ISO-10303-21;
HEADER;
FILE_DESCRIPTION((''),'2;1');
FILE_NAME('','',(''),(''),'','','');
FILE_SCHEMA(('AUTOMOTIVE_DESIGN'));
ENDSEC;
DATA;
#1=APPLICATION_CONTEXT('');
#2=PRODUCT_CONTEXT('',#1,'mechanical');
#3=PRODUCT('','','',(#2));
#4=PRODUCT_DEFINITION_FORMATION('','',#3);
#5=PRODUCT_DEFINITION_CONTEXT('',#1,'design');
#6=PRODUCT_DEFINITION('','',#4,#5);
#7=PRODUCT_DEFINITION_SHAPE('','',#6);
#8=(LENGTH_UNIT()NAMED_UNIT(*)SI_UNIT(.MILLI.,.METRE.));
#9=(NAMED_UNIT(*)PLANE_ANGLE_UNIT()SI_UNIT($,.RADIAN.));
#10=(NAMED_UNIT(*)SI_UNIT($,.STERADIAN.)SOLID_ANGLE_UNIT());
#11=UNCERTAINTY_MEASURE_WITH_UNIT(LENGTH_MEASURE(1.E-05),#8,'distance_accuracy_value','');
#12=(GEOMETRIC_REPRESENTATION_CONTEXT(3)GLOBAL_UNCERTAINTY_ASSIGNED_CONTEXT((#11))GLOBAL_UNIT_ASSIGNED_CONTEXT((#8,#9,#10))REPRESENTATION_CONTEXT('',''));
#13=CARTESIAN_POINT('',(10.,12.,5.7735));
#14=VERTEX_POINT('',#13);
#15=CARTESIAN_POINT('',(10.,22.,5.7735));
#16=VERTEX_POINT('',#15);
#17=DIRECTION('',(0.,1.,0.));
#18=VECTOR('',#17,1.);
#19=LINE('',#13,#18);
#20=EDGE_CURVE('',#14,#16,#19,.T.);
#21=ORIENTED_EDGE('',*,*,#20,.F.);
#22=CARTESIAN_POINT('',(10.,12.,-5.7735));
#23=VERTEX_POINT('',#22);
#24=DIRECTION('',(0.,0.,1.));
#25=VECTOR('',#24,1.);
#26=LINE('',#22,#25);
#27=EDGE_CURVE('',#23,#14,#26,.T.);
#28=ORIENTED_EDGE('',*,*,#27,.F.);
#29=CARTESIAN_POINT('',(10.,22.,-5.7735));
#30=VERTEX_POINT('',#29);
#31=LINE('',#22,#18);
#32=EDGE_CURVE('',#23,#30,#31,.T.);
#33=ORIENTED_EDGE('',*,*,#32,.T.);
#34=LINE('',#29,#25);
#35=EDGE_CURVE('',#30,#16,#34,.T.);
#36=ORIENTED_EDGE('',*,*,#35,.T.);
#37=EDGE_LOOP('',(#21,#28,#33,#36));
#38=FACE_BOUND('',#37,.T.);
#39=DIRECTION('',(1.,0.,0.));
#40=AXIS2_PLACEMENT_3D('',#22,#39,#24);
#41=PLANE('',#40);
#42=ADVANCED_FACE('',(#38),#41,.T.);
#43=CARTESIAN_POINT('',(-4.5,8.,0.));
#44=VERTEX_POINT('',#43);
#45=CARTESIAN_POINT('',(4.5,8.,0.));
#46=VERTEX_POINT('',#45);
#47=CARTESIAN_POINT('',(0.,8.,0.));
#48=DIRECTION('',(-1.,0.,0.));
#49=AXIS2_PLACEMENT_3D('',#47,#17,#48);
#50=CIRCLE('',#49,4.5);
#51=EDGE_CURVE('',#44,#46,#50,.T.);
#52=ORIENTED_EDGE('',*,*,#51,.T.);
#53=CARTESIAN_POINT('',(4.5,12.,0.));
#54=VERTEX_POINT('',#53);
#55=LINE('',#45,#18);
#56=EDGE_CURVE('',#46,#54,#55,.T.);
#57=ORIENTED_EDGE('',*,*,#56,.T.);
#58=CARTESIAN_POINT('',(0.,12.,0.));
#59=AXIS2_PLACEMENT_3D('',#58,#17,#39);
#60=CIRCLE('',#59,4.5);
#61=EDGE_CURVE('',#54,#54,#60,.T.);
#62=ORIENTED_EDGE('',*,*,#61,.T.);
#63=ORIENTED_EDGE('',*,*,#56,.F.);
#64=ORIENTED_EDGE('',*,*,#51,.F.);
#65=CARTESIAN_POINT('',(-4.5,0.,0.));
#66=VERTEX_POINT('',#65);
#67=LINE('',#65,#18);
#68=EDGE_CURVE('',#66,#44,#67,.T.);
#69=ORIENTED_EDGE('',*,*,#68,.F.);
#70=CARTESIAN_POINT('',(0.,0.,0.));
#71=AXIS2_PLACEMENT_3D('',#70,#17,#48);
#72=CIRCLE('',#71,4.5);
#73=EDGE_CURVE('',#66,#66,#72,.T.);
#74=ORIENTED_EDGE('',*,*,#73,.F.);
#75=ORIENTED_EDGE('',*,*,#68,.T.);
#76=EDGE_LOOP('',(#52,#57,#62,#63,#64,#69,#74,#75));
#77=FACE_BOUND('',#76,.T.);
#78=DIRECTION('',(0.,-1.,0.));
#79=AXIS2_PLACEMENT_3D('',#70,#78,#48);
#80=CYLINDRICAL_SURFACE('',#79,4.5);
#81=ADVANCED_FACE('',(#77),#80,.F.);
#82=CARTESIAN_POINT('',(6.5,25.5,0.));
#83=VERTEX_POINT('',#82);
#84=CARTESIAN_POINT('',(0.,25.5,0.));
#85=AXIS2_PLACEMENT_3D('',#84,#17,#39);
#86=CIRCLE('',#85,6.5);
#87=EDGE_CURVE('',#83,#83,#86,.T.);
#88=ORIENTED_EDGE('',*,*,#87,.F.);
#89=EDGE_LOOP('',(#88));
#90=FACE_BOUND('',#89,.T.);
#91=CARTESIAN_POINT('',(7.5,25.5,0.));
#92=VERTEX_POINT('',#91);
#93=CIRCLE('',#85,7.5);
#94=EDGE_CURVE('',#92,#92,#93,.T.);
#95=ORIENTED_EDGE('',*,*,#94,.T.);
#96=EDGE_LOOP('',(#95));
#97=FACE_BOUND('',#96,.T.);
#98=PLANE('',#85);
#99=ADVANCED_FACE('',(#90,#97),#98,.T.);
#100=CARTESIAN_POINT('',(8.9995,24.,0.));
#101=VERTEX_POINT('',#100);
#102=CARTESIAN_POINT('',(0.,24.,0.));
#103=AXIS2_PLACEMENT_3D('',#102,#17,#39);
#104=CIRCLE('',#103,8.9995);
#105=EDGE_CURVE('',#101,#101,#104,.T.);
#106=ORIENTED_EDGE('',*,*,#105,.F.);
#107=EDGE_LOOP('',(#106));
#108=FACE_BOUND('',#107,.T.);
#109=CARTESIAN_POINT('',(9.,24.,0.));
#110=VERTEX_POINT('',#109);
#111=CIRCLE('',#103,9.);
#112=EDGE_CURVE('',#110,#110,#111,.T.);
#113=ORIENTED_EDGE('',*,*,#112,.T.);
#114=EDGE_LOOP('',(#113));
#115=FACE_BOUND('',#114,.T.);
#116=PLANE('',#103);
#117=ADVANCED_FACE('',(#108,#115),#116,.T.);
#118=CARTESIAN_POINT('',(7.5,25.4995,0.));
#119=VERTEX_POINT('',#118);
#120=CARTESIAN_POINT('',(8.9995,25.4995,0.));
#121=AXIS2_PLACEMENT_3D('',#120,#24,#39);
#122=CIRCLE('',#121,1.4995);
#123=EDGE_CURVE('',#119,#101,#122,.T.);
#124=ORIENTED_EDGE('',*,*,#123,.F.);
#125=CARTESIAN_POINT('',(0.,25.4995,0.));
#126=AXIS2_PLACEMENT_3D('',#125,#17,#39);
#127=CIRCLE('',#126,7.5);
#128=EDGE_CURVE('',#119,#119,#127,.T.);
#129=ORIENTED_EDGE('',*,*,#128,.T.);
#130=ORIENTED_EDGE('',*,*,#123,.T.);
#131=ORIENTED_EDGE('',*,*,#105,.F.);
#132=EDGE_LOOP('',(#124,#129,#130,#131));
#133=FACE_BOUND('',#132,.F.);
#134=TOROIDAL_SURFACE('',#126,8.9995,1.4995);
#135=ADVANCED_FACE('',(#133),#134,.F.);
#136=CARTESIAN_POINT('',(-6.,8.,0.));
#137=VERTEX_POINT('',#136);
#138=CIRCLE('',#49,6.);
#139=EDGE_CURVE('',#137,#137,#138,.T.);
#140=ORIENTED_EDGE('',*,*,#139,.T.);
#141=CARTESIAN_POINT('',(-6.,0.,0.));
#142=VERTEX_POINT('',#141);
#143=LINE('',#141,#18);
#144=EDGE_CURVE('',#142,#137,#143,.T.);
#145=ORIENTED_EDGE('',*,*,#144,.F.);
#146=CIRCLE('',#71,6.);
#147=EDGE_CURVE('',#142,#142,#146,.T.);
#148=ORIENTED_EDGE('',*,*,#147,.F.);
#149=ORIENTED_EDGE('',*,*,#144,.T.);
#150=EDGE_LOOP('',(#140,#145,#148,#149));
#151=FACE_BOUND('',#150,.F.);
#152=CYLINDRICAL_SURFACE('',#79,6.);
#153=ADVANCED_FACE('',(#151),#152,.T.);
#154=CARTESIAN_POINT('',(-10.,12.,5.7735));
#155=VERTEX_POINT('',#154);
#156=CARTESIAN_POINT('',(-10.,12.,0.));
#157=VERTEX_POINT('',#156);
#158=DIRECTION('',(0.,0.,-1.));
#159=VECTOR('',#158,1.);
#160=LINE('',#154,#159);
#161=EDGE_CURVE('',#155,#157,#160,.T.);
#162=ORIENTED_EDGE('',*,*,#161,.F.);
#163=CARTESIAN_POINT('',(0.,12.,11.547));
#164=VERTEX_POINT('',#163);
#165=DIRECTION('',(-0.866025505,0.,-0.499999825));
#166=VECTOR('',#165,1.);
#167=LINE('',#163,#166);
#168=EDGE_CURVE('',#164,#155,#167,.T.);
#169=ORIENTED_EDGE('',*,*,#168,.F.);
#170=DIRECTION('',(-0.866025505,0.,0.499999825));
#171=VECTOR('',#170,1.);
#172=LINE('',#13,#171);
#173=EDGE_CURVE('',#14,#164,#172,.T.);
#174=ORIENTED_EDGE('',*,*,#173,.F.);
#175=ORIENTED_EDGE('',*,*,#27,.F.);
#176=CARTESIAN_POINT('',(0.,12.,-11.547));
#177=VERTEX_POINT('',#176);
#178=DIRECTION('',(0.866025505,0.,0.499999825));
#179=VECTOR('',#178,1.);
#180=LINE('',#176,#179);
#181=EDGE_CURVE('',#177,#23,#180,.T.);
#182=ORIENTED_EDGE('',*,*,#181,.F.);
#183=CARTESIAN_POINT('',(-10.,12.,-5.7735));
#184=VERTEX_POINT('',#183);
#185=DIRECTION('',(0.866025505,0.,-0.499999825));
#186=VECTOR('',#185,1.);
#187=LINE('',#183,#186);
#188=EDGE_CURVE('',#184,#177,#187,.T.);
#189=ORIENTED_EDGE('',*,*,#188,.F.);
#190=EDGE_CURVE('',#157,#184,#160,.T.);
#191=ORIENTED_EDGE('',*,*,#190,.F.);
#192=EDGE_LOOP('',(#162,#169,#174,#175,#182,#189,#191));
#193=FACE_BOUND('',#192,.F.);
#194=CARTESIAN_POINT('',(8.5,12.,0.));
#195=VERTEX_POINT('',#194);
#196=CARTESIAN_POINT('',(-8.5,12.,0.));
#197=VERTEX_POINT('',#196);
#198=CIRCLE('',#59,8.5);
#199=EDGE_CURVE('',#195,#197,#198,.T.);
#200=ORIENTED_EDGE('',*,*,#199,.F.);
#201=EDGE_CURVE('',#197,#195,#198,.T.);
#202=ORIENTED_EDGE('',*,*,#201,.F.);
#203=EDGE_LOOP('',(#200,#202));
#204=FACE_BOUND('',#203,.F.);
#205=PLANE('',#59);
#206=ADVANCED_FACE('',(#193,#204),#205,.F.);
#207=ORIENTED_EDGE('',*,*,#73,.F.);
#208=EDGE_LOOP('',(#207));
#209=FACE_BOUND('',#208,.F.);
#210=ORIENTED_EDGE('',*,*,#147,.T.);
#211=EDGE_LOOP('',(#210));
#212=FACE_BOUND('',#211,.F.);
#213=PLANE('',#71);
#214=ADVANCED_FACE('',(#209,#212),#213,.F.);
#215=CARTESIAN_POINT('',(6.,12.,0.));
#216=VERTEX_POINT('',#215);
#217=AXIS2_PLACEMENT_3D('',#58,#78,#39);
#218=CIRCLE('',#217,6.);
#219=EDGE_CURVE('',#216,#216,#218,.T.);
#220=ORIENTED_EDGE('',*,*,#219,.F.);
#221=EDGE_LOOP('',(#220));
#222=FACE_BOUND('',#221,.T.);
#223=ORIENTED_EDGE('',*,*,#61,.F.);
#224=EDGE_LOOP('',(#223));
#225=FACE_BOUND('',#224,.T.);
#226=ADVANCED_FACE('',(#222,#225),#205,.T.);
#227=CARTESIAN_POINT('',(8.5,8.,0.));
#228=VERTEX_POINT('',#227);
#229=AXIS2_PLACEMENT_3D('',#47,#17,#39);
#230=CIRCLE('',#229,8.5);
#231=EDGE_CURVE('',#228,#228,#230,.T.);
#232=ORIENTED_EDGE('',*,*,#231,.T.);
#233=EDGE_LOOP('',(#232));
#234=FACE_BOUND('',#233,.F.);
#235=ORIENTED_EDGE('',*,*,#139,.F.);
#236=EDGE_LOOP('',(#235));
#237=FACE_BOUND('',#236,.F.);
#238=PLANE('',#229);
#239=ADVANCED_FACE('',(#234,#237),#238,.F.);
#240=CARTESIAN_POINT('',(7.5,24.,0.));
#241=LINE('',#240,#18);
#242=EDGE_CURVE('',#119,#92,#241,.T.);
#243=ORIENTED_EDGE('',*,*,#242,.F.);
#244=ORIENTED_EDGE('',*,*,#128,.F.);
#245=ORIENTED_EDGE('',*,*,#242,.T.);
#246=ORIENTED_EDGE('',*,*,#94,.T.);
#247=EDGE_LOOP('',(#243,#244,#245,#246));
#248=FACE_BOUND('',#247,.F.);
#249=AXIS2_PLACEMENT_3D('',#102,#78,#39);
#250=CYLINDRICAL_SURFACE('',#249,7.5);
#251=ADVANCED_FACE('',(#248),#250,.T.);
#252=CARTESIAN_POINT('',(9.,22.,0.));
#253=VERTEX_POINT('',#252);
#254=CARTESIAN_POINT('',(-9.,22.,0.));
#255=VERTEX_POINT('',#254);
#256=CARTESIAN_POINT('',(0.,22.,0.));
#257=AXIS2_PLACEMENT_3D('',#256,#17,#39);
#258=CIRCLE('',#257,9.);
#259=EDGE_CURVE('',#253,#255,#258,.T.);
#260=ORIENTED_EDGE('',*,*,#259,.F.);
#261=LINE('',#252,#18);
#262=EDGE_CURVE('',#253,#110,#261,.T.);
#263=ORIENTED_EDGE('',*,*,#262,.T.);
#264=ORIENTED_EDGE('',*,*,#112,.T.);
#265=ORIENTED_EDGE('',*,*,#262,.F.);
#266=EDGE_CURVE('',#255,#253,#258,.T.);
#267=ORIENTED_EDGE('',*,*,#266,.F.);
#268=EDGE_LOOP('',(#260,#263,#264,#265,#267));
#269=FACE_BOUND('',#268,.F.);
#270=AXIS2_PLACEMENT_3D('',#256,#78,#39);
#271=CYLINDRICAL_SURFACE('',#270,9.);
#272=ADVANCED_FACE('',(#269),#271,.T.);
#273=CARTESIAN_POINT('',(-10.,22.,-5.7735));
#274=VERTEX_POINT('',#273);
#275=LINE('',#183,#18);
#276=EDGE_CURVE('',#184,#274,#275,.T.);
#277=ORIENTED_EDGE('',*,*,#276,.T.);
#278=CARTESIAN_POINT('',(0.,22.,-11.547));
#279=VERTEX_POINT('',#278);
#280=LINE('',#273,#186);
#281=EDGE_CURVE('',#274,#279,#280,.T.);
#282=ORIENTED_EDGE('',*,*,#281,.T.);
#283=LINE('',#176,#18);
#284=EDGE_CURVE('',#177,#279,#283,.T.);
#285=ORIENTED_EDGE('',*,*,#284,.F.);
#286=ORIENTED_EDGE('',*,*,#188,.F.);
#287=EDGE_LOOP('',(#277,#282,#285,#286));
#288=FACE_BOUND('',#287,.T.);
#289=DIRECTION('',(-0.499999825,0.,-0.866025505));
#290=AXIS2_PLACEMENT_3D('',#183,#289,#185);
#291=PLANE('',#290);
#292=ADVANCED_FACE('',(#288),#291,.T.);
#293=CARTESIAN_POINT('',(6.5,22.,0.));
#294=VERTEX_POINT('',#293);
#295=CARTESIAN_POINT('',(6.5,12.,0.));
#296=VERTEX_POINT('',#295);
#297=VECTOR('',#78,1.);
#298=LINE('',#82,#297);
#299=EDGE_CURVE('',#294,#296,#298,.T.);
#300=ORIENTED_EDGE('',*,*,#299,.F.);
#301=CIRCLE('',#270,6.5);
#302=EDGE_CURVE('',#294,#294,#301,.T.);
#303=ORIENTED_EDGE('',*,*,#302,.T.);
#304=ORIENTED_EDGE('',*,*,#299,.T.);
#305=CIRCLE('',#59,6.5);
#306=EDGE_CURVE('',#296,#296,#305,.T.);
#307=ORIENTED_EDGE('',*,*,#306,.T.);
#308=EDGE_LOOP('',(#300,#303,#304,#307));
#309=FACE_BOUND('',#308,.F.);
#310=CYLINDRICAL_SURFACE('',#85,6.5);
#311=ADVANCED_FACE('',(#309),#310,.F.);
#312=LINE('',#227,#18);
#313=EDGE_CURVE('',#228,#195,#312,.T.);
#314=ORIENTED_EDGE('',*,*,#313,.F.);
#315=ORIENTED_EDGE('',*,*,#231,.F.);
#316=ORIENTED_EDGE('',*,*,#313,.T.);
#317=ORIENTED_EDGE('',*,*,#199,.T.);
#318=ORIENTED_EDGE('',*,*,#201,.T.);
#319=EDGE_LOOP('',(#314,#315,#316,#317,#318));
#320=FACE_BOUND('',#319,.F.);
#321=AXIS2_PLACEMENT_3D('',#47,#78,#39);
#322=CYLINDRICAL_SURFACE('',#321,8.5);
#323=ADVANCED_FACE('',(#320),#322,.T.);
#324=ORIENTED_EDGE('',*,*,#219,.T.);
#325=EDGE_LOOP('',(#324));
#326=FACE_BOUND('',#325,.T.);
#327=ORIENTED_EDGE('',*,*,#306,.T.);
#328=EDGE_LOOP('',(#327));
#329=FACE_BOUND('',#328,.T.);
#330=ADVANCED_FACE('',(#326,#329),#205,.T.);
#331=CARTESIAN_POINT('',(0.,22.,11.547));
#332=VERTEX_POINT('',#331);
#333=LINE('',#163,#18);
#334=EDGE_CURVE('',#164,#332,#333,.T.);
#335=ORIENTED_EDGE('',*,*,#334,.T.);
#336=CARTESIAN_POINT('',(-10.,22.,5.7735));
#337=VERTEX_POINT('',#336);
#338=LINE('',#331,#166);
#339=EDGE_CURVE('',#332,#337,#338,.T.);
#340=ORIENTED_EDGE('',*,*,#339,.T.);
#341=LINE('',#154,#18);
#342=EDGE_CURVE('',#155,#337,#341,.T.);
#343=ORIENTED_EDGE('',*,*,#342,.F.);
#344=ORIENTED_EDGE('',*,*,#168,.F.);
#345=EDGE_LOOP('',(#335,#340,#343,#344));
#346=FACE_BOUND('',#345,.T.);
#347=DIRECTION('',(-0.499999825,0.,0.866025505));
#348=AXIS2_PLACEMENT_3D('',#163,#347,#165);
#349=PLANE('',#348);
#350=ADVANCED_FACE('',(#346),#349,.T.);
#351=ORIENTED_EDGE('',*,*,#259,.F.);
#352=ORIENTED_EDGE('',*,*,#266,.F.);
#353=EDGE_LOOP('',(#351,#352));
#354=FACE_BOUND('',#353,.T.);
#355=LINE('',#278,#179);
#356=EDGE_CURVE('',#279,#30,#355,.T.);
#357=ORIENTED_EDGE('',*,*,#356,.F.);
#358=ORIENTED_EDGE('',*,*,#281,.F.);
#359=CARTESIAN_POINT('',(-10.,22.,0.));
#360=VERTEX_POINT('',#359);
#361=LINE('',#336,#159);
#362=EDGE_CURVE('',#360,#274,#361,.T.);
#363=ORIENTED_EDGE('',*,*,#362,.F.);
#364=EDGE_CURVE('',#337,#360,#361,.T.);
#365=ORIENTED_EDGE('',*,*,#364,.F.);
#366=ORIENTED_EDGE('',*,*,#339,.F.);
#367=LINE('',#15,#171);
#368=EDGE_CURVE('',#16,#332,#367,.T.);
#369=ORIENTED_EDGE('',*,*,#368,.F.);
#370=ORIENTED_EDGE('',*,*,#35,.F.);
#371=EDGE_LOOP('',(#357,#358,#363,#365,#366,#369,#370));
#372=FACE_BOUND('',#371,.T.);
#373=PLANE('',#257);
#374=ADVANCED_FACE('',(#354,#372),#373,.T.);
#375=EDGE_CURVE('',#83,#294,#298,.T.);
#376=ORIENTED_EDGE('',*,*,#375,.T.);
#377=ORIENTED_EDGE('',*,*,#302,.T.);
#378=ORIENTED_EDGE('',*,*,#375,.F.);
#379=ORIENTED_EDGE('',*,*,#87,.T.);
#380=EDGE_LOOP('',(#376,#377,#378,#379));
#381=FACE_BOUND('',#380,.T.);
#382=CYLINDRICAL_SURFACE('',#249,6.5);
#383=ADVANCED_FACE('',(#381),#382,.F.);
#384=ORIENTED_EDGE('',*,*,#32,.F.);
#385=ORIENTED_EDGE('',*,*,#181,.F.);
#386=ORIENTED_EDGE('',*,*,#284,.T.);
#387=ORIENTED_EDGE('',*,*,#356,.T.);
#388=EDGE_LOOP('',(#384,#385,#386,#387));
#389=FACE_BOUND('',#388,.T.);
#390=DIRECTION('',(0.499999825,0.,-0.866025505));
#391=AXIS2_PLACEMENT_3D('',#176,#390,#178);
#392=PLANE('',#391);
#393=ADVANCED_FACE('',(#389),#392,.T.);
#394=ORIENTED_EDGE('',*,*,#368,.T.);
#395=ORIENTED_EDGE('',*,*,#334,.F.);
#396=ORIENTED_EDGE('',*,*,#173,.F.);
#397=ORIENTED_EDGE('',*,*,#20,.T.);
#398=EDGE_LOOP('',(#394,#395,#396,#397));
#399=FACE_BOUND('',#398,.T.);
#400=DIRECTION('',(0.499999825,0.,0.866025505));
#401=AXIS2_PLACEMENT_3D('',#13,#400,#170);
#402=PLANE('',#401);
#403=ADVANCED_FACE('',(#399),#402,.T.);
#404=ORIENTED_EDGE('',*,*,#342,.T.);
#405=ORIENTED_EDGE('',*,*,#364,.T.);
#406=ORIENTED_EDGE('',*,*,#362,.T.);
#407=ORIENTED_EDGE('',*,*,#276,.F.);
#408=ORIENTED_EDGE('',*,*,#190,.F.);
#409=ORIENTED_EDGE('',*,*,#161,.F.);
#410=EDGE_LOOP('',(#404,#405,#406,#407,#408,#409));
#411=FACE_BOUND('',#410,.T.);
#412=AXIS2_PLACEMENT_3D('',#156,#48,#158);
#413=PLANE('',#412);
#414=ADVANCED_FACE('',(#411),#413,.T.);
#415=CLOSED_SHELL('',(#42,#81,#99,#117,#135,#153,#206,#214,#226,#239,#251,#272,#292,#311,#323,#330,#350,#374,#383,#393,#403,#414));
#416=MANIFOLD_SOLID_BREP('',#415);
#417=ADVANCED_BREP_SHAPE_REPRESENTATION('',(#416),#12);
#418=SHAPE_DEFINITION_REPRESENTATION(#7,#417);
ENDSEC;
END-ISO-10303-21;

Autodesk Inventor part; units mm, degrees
ref_plane "YZ Plane" through (0, 0, 0) normal (1, 0, 0) x (0, 1, 0)
ref_plane "XZ Plane" through (0, 0, 0) normal (0, 1, 0) x (-1, 0, 0)
ref_plane "XY Plane" through (0, 0, 0) normal (0, 0, 1) x (1, 0, 0)
sketch "Sketch1" plane through (0, 0, 0) normal (0, 1, 0) x (-1, 0, 0)
  circle A0 centre (0, 0) radius 6
  circle A1 centre (0, 0) radius 4.5
  dimension "d2" = 12
  dimension "d3" = 9
extrude "Extrusion1" add sketch "Sketch1" along normal blind 8
sketch "Sketch2" plane through (0, 8, 0) normal (0, 1, 0) x (1, 0, 0)
  circle A0 centre (0, 0) radius 8.5
  circle A1 centre (0, 0) radius 4.5 projected
  dimension "d6" = 17
extrude "Extrusion2" add sketch "Sketch2" along normal blind 4
sketch "Sketch3" plane through (0, 12, 0) normal (0, 1, 0) x (1, 0, 0)
  line L0 (0, 0) -> (-10, 0)
  line L1 (-10, 5.7735) -> (0, 11.547)
  line L2 (0, 11.547) -> (10, 5.7735)
  line L3 (10, 5.7735) -> (10, -5.7735)
  line L4 (10, -5.7735) -> (0, -11.547)
  line L5 (0, -11.547) -> (-10, -5.7735)
  line L6 (-10, -5.7735) -> (-10, 5.7735)
  circle A0 centre (0, 0) radius 6 projected
  dimension "d9" = 10
extrude "Extrusion3" add sketch "Sketch3" along normal blind 10
sketch "Sketch4" plane through (0, 22, 0) normal (0, 1, 0) x (1, 0, 0)
  circle A0 centre (0, 0) radius 9
  circle A1 centre (0, 0) radius 6.5
  dimension "d12" = 18
  dimension "d13" = 13
extrude "Extrusion4" add sketch "Sketch4" along normal blind 2
sketch "Sketch5" plane through (0, 24, 0) normal (0, 1, 0) x (1, 0, 0)
  circle A0 centre (0, 0) radius 6.5
  circle A1 centre (0, 0) radius 6.5 projected
  circle A2 centre (0, 0) radius 7.5
  dimension "d16" = 15
extrude "Extrusion5" add sketch "Sketch5" along normal blind 1.5
fillet "Fillet1" radius 1.5 1 edges at (-7.5, 24, 0)
sketch "Sketch6" plane through (0, 25.5, 0) normal (0, 1, 0) x (1, 0, 0)
  circle A0 centre (0, 0) radius 7.5 projected
  circle A1 centre (0, 0) radius 6.5
extrude "Extrusion6" cut sketch "Sketch6" against normal blind 13.5 contours A1
thread "Thread1" size "M12x1.75" class "6g" standard "ANSI Metric M Profile" full length
sketch "Sketch7" plane through (0, 25.5, 0) normal (0, 1, 0) x (1, 0, 0)
  circle A0 centre (0, 0) radius 6.5 projected
properties part number "entrada_manguera_alicat_flujo"
